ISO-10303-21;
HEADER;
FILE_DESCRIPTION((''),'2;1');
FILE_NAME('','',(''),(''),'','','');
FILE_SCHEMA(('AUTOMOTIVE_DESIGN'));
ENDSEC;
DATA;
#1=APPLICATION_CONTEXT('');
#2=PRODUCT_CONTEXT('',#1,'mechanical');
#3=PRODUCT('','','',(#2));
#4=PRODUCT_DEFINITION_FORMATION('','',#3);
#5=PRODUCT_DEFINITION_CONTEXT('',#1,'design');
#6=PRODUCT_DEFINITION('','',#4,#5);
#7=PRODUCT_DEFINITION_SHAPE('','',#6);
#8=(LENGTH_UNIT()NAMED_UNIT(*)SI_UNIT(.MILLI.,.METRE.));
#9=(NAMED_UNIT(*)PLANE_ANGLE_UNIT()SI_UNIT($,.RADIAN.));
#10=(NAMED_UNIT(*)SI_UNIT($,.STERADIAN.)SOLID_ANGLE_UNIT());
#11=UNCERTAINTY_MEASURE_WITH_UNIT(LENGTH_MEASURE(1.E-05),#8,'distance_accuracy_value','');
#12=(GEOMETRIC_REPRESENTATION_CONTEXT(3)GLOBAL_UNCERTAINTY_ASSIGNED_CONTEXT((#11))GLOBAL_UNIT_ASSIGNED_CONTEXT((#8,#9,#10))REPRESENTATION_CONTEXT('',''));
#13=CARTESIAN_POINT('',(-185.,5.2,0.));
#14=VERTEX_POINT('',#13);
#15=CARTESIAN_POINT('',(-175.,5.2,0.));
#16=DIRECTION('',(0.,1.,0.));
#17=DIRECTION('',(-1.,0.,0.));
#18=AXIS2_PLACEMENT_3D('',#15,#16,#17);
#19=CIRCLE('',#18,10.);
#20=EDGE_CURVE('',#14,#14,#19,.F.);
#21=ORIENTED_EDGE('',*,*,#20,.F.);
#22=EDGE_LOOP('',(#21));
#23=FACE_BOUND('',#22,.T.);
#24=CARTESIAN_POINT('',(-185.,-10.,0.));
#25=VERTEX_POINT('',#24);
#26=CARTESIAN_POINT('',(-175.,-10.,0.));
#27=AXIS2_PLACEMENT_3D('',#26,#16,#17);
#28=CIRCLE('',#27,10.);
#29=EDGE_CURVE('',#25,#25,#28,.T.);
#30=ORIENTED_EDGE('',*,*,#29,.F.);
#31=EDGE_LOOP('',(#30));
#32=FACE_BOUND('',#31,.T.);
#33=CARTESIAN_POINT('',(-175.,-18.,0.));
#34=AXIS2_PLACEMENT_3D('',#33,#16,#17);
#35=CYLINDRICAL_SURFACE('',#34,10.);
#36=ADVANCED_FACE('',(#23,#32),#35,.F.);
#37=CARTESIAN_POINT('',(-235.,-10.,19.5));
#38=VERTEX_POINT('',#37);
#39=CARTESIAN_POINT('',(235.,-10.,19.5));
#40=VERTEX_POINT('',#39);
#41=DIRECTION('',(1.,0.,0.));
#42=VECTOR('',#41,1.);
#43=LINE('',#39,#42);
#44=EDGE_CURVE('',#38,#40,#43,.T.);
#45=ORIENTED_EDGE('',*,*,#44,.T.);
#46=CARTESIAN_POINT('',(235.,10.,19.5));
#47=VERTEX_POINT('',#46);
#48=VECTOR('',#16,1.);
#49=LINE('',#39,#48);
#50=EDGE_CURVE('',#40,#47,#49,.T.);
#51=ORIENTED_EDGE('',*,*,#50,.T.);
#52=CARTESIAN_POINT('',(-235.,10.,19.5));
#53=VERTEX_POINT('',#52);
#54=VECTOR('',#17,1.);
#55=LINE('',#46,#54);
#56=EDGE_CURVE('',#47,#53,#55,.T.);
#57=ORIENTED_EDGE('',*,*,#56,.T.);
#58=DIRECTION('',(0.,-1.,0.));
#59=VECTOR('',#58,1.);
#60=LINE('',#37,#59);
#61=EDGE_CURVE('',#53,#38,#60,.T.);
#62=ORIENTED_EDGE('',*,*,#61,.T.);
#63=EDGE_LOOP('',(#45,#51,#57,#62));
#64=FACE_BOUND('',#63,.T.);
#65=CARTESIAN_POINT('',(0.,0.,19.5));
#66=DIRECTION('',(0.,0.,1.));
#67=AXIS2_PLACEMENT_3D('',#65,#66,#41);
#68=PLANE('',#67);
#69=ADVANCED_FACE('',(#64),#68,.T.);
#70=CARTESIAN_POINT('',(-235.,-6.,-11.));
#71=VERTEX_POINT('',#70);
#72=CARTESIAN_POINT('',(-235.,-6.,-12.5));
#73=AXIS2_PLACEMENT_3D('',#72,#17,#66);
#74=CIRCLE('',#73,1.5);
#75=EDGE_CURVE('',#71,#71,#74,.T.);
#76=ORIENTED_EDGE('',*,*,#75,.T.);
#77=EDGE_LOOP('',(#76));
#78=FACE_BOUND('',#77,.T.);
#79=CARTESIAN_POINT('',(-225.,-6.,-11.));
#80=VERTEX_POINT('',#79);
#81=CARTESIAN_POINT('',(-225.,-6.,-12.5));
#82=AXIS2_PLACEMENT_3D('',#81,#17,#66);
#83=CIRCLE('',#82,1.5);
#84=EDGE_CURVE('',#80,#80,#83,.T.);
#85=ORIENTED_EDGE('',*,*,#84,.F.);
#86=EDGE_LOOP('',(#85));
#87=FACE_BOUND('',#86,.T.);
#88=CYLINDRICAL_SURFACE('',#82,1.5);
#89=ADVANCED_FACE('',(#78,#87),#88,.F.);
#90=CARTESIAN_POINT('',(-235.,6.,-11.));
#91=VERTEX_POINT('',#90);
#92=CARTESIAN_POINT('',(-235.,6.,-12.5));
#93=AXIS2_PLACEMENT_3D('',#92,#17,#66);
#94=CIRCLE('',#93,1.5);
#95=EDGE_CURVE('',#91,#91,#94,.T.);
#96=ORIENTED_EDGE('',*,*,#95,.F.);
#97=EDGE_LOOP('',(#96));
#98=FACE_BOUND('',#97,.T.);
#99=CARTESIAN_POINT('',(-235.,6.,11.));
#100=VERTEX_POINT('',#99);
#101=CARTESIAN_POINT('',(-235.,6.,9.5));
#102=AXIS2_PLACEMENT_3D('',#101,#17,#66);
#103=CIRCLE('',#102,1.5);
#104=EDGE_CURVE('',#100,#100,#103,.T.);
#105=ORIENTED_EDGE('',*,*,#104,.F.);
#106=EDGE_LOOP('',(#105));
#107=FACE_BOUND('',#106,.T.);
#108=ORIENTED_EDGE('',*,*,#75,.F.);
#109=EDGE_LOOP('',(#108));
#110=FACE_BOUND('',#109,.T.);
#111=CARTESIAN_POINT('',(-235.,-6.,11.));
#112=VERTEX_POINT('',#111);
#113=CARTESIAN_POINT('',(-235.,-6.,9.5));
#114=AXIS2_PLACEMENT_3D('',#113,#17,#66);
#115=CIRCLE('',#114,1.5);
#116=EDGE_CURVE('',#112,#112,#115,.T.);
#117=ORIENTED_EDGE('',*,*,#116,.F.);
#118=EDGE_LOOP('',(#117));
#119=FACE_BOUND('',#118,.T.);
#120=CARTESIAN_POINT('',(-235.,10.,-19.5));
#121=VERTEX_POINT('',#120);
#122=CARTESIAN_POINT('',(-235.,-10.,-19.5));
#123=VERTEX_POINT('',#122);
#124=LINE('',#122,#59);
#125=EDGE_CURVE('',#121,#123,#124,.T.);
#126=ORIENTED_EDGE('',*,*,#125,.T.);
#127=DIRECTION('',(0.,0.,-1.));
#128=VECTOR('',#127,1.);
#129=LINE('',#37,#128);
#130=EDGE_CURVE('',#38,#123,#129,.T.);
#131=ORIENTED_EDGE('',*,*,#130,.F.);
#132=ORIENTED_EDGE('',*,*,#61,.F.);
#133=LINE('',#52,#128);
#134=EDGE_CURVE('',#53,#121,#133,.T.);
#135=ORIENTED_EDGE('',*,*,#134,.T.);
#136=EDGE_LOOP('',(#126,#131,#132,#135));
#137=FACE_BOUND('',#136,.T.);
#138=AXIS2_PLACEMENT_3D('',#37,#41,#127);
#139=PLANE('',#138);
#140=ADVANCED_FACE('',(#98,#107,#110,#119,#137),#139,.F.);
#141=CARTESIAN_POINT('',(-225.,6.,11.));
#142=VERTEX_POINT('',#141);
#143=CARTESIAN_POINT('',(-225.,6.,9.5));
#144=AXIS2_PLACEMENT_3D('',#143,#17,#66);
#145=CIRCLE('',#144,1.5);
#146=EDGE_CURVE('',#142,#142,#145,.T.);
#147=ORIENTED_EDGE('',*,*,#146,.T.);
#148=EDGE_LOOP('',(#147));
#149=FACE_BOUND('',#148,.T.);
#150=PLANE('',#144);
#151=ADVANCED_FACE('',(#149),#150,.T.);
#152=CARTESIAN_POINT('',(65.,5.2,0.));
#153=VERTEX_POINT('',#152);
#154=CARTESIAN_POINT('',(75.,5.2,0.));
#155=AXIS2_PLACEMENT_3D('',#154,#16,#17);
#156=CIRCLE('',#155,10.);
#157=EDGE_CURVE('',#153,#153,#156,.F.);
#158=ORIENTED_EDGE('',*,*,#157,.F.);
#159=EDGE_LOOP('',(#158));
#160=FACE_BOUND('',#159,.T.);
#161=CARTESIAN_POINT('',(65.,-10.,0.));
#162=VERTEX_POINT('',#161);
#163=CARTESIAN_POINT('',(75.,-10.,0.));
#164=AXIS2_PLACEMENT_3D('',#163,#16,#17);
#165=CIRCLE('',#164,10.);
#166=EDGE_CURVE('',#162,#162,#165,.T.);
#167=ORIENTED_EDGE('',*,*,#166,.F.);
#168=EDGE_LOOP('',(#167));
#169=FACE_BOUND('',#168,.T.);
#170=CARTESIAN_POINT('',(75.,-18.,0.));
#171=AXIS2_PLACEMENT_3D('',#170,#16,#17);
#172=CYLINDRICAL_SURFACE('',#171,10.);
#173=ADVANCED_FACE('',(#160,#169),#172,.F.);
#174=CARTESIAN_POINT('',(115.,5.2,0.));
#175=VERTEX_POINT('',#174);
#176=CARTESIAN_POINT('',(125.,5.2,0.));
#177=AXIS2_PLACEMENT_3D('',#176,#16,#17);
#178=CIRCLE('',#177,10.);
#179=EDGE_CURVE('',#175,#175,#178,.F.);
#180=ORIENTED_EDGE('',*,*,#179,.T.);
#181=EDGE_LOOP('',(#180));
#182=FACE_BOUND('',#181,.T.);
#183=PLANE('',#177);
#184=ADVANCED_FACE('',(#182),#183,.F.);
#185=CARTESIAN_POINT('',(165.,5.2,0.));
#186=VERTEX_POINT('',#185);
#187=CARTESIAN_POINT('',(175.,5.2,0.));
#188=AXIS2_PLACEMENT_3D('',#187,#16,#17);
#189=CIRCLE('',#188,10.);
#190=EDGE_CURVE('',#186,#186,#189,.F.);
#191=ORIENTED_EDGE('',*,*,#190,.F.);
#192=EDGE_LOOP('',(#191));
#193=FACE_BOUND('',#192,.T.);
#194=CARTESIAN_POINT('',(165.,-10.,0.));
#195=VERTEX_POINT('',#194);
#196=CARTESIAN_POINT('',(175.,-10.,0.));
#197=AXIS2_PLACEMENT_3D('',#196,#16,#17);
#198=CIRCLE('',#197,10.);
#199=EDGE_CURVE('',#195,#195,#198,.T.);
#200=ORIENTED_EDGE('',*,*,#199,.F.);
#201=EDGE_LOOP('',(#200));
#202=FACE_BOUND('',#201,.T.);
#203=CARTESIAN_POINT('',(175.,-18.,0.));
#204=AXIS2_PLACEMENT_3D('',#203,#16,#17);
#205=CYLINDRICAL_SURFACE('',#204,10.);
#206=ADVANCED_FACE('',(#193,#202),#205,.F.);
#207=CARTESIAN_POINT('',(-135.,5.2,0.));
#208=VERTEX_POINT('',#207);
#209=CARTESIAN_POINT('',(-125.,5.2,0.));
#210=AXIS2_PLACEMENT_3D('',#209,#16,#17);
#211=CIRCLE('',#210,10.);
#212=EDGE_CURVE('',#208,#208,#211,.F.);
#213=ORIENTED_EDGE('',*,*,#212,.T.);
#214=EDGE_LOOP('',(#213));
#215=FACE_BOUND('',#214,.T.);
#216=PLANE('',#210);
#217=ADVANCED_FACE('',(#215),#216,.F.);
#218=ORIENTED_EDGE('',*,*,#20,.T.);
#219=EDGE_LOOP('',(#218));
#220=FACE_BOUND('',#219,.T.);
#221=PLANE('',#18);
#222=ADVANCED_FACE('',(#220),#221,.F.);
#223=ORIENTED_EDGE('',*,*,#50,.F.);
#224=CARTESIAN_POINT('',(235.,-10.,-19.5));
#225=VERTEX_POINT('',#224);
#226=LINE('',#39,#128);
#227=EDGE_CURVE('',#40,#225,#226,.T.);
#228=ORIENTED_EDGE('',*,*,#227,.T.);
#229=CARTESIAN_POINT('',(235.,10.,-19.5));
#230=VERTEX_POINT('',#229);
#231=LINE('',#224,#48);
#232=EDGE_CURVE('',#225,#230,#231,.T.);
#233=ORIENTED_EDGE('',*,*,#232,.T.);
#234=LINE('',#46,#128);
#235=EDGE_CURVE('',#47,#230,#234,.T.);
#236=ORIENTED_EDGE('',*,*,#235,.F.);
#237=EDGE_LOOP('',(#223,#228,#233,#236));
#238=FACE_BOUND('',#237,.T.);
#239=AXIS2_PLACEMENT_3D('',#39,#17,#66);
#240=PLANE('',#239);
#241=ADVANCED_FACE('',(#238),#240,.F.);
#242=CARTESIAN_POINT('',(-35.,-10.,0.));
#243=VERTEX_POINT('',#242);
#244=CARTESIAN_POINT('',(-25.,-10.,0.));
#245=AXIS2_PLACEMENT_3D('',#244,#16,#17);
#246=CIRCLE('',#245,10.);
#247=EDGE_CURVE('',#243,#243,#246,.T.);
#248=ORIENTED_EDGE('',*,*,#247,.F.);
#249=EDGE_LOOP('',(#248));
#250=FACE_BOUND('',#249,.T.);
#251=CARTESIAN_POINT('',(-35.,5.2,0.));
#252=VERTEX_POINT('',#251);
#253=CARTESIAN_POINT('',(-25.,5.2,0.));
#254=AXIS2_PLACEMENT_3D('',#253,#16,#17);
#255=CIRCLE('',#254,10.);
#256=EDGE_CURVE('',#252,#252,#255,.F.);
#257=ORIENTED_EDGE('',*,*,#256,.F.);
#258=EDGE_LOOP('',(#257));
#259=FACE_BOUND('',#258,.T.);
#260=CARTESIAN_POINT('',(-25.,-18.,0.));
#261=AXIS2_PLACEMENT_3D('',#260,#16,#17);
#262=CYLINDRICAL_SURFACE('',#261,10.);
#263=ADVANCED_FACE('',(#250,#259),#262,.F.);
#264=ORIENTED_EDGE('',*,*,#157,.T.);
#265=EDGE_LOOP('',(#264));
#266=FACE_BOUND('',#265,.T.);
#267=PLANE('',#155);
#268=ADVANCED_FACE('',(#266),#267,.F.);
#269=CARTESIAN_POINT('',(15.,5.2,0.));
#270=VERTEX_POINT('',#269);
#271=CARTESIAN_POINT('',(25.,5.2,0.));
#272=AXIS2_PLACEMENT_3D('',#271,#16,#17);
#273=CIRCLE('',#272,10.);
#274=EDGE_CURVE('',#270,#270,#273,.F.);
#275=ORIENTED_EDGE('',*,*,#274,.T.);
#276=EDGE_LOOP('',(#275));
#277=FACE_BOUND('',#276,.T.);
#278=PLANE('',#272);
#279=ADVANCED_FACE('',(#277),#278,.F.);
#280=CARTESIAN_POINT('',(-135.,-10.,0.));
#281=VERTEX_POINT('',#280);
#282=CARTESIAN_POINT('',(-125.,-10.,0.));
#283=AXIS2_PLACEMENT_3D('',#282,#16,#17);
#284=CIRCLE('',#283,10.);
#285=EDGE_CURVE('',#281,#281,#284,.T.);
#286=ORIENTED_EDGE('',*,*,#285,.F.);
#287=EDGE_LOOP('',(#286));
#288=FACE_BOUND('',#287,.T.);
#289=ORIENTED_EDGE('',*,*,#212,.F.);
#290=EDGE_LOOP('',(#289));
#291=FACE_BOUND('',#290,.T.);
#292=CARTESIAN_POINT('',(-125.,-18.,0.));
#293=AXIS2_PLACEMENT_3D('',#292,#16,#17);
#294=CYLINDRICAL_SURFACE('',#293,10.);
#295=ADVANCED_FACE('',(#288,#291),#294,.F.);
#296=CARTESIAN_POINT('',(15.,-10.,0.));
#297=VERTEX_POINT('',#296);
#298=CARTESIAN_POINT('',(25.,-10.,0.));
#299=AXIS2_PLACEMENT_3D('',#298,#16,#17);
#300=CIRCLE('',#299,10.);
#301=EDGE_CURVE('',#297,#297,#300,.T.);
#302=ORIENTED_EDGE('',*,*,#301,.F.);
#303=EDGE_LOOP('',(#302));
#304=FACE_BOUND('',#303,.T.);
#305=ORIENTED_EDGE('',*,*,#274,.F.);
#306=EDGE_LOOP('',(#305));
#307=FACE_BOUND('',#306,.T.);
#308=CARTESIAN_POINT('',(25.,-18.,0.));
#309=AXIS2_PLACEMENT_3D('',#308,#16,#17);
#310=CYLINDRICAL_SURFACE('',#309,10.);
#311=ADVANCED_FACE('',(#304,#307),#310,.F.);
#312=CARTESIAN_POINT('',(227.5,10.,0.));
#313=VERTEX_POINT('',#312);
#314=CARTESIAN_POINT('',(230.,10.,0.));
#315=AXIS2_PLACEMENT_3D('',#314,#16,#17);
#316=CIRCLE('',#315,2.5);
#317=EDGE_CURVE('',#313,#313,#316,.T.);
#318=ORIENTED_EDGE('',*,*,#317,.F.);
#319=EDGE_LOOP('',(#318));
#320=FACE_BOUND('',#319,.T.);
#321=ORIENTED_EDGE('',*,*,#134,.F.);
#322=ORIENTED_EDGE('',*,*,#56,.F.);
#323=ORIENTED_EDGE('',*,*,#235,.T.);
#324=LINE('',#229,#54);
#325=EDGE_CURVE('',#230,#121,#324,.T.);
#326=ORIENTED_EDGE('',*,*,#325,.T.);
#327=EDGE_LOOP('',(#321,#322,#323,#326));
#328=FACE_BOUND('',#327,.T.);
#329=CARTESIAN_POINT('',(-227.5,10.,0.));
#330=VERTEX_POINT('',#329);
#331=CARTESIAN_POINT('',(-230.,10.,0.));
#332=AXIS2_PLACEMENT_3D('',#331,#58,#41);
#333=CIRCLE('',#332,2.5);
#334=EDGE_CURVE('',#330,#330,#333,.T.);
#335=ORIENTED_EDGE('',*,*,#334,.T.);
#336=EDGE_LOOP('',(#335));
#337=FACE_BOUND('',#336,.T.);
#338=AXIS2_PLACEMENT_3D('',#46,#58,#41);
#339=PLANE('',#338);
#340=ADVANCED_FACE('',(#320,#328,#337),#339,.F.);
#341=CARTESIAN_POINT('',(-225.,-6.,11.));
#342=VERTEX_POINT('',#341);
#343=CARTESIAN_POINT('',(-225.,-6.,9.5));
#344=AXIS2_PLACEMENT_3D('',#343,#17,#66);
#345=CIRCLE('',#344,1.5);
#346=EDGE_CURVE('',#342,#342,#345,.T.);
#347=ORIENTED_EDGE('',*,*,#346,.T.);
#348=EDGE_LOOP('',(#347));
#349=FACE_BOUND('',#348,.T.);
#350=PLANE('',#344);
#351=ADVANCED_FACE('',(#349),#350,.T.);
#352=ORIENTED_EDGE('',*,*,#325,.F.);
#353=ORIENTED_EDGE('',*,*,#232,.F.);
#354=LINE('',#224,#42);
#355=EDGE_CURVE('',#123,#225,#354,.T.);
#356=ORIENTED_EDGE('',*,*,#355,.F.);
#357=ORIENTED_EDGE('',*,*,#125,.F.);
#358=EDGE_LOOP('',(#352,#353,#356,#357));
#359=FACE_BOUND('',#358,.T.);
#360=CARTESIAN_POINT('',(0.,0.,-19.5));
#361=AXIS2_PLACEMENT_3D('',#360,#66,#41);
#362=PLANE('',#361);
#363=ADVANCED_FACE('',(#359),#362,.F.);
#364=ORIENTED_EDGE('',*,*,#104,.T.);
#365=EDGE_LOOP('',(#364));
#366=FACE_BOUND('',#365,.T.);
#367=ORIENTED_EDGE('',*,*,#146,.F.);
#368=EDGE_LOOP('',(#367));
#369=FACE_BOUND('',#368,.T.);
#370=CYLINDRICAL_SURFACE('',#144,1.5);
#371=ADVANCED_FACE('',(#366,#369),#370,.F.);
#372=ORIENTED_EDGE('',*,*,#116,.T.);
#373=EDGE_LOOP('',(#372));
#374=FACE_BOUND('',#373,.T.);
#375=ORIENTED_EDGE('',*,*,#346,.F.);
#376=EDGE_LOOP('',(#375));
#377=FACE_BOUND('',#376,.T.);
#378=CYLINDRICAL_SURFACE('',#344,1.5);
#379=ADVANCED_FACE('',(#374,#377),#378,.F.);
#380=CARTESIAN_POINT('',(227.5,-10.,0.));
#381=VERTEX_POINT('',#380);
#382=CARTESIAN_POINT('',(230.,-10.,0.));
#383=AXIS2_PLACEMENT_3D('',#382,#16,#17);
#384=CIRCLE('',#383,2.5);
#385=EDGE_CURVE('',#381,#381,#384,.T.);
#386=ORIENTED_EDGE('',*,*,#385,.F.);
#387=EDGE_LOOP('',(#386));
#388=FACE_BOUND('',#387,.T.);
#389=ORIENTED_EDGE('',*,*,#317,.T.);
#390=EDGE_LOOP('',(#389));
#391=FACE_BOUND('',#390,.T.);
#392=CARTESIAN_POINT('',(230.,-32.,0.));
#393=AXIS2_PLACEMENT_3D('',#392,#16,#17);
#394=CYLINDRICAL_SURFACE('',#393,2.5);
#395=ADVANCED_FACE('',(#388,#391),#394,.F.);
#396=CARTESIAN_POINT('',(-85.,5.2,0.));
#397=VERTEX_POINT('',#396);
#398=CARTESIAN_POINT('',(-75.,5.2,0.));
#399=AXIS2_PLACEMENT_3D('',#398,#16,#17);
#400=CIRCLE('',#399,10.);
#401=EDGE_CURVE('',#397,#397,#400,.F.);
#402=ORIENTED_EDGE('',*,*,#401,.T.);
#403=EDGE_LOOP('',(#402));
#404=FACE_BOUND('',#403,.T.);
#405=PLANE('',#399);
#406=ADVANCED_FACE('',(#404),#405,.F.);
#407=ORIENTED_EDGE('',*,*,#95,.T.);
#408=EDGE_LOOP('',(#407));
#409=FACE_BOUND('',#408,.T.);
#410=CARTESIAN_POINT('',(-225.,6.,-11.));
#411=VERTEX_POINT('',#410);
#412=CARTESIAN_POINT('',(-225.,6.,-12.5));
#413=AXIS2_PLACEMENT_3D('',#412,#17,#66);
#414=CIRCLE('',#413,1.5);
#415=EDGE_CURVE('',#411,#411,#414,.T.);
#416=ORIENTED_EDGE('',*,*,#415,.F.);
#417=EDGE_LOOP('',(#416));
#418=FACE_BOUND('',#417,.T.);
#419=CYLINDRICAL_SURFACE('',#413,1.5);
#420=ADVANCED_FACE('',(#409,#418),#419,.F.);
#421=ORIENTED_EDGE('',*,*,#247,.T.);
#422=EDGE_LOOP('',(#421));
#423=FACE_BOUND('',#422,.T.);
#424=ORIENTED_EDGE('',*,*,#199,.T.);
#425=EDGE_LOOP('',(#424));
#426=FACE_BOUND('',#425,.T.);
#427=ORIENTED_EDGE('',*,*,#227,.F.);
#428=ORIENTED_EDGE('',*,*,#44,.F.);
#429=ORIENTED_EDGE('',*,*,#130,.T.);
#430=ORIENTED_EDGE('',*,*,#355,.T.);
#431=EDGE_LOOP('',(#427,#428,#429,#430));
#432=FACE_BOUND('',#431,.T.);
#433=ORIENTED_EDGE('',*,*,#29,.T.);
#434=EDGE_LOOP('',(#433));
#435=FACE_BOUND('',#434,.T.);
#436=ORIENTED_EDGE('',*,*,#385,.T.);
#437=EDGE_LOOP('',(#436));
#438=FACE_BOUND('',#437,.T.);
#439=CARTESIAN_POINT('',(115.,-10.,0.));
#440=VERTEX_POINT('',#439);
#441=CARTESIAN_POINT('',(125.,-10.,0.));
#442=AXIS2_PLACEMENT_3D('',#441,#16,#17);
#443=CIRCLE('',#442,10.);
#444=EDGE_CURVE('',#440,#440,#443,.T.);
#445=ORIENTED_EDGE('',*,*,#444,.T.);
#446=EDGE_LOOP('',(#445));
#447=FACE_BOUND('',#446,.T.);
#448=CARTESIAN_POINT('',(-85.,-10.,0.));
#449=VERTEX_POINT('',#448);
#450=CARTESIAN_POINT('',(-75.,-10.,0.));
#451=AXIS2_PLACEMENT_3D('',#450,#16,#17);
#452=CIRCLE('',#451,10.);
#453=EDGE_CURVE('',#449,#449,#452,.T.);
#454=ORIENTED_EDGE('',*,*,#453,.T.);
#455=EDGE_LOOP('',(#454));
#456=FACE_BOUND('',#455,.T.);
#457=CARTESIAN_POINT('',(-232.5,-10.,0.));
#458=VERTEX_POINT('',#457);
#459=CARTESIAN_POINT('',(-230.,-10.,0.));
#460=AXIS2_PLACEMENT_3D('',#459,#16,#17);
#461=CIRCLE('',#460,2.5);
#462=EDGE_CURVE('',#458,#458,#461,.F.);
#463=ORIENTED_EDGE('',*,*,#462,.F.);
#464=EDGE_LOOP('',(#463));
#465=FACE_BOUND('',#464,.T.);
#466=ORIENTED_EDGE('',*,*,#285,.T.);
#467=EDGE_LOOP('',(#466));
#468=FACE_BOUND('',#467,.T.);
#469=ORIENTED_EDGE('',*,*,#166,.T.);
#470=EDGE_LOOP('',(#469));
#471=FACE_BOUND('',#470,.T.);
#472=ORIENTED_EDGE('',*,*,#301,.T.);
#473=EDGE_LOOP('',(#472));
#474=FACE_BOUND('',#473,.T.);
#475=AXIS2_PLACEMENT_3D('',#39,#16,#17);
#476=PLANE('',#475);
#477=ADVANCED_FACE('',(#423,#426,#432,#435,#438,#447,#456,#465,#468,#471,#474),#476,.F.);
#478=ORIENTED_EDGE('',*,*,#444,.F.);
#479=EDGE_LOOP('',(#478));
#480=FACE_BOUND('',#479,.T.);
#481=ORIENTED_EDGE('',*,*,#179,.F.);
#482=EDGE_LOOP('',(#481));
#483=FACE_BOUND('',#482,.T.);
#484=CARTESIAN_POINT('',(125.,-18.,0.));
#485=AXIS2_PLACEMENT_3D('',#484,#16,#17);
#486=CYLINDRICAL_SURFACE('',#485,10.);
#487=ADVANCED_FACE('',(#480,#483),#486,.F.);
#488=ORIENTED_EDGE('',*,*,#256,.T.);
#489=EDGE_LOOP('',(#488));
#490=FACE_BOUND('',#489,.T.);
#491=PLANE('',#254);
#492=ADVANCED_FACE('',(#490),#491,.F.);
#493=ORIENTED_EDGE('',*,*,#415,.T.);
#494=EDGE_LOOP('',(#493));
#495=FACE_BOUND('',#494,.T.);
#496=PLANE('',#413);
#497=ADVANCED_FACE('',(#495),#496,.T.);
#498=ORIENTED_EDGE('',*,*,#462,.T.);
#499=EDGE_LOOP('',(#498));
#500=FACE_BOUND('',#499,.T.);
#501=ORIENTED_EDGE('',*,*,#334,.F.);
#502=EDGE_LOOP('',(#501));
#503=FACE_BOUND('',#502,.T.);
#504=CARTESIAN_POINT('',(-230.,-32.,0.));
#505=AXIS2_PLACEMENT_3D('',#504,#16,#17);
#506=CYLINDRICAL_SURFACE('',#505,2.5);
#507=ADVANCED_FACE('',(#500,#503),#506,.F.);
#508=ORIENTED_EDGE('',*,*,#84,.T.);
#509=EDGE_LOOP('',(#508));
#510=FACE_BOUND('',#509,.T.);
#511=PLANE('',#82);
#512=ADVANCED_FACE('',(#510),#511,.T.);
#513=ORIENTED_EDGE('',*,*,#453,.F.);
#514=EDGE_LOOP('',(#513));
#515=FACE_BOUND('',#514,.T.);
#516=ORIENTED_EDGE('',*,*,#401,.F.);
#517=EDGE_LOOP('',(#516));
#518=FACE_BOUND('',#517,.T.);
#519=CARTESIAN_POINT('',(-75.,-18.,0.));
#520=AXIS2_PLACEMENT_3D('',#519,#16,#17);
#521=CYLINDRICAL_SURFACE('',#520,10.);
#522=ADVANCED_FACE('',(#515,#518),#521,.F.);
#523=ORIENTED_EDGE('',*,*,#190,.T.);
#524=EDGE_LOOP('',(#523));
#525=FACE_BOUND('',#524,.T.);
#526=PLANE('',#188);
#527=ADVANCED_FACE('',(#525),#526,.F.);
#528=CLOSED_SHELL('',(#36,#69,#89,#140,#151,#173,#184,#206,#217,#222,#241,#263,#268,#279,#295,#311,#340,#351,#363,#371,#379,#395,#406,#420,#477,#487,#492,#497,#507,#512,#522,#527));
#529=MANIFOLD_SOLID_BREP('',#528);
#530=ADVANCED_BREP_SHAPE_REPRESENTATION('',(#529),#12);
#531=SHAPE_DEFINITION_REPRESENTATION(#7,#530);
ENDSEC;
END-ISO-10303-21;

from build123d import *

# Parameters (mm, degrees)
SKETCH1_W           = 470
SKETCH1_H           = 20
BOSS_EXTRUDE1_DEPTH = 19.5
SKETCH2_R           = 10
CUT_EXTRUDE1_DEPTH  = 28
LPATTERN1_COUNT     = 8
LPATTERN1_PITCH     = 50
SKETCH3_R           = 2.5
CUT_EXTRUDE2_DEPTH  = 42
SKETCH4_R           = 10
BOSS_EXTRUDE2_DEPTH = 4.8
SKETCH5_R           = 1.5
CUT_EXTRUDE3_DEPTH  = 10


with BuildPart() as part:
    # Sketch1 → Boss-Extrude1 (new, symmetric)
    with BuildSketch(Plane.XY):
        Rectangle(SKETCH1_W, SKETCH1_H)
    extrude(amount=BOSS_EXTRUDE1_DEPTH, both=True)

    # Sketch2 → Cut-Extrude1 (cut)
    with BuildSketch(Plane(origin=(0, 10, 0), x_dir=(1, 0, 0), z_dir=(0, 1, 0))):
        with Locations(Location((-175, 0, 0), (0, 0, 180))):
            Circle(SKETCH2_R)
    cut_extrude1 = extrude(amount=-CUT_EXTRUDE1_DEPTH, mode=Mode.SUBTRACT)

    # LPattern1: Cut-Extrude1 ×8
    with Locations(*[(i * LPATTERN1_PITCH, 0, 0) for i in range(1, LPATTERN1_COUNT)]):
        add(cut_extrude1, mode=Mode.SUBTRACT)

    # Sketch3 → Cut-Extrude2 (cut)
    with BuildSketch(Plane(origin=(0, 10, 0), x_dir=(1, 0, 0), z_dir=(0, 1, 0))):
        with Locations(Location((230, 0, 0), (0, 0, 180))):
            Circle(SKETCH3_R)
    cut_extrude2 = extrude(amount=-CUT_EXTRUDE2_DEPTH, mode=Mode.SUBTRACT)

    # Mirror1: Cut-Extrude2 across plane
    add(cut_extrude2.mirror(Plane(origin=(0, 0, 0), x_dir=(0, 0, 1), z_dir=(1, 0, 0))), mode=Mode.SUBTRACT)

    # Sketch4 → Boss-Extrude2 (add)
    with BuildSketch(Plane(origin=(0, 10, 0), x_dir=(1, 0, 0), z_dir=(0, 1, 0))):
        with Locations(Location((-175, 0, 0), (0, 0, 180))):
            Circle(SKETCH4_R)
        with Locations(Location((-125, 0, 0), (0, 0, 180))):
            Circle(SKETCH4_R)
        with Locations(Location((-75, 0, 0), (0, 0, 180))):
            Circle(SKETCH4_R)
        with Locations(Location((-25, 0, 0), (0, 0, 180))):
            Circle(SKETCH4_R)
        with Locations(Location((25, 0, 0), (0, 0, 180))):
            Circle(SKETCH4_R)
        with Locations(Location((75, 0, 0), (0, 0, 180))):
            Circle(SKETCH4_R)
        with Locations(Location((125, 0, 0), (0, 0, 180))):
            Circle(SKETCH4_R)
        with Locations(Location((175, 0, 0), (0, 0, 180))):
            Circle(SKETCH4_R)
    extrude(amount=-BOSS_EXTRUDE2_DEPTH)

    # Sketch5 → Cut-Extrude3 (cut)
    with BuildSketch(Plane.ZY.offset(235)):
        with Locations((-12.5, 6)):
            Circle(SKETCH5_R)
        with Locations((-12.5, -6)):
            Circle(SKETCH5_R)
        with Locations((9.5, 6)):
            Circle(SKETCH5_R)
        with Locations((9.5, -6)):
            Circle(SKETCH5_R)
    extrude(amount=-CUT_EXTRUDE3_DEPTH, mode=Mode.SUBTRACT)


solid = part.part
